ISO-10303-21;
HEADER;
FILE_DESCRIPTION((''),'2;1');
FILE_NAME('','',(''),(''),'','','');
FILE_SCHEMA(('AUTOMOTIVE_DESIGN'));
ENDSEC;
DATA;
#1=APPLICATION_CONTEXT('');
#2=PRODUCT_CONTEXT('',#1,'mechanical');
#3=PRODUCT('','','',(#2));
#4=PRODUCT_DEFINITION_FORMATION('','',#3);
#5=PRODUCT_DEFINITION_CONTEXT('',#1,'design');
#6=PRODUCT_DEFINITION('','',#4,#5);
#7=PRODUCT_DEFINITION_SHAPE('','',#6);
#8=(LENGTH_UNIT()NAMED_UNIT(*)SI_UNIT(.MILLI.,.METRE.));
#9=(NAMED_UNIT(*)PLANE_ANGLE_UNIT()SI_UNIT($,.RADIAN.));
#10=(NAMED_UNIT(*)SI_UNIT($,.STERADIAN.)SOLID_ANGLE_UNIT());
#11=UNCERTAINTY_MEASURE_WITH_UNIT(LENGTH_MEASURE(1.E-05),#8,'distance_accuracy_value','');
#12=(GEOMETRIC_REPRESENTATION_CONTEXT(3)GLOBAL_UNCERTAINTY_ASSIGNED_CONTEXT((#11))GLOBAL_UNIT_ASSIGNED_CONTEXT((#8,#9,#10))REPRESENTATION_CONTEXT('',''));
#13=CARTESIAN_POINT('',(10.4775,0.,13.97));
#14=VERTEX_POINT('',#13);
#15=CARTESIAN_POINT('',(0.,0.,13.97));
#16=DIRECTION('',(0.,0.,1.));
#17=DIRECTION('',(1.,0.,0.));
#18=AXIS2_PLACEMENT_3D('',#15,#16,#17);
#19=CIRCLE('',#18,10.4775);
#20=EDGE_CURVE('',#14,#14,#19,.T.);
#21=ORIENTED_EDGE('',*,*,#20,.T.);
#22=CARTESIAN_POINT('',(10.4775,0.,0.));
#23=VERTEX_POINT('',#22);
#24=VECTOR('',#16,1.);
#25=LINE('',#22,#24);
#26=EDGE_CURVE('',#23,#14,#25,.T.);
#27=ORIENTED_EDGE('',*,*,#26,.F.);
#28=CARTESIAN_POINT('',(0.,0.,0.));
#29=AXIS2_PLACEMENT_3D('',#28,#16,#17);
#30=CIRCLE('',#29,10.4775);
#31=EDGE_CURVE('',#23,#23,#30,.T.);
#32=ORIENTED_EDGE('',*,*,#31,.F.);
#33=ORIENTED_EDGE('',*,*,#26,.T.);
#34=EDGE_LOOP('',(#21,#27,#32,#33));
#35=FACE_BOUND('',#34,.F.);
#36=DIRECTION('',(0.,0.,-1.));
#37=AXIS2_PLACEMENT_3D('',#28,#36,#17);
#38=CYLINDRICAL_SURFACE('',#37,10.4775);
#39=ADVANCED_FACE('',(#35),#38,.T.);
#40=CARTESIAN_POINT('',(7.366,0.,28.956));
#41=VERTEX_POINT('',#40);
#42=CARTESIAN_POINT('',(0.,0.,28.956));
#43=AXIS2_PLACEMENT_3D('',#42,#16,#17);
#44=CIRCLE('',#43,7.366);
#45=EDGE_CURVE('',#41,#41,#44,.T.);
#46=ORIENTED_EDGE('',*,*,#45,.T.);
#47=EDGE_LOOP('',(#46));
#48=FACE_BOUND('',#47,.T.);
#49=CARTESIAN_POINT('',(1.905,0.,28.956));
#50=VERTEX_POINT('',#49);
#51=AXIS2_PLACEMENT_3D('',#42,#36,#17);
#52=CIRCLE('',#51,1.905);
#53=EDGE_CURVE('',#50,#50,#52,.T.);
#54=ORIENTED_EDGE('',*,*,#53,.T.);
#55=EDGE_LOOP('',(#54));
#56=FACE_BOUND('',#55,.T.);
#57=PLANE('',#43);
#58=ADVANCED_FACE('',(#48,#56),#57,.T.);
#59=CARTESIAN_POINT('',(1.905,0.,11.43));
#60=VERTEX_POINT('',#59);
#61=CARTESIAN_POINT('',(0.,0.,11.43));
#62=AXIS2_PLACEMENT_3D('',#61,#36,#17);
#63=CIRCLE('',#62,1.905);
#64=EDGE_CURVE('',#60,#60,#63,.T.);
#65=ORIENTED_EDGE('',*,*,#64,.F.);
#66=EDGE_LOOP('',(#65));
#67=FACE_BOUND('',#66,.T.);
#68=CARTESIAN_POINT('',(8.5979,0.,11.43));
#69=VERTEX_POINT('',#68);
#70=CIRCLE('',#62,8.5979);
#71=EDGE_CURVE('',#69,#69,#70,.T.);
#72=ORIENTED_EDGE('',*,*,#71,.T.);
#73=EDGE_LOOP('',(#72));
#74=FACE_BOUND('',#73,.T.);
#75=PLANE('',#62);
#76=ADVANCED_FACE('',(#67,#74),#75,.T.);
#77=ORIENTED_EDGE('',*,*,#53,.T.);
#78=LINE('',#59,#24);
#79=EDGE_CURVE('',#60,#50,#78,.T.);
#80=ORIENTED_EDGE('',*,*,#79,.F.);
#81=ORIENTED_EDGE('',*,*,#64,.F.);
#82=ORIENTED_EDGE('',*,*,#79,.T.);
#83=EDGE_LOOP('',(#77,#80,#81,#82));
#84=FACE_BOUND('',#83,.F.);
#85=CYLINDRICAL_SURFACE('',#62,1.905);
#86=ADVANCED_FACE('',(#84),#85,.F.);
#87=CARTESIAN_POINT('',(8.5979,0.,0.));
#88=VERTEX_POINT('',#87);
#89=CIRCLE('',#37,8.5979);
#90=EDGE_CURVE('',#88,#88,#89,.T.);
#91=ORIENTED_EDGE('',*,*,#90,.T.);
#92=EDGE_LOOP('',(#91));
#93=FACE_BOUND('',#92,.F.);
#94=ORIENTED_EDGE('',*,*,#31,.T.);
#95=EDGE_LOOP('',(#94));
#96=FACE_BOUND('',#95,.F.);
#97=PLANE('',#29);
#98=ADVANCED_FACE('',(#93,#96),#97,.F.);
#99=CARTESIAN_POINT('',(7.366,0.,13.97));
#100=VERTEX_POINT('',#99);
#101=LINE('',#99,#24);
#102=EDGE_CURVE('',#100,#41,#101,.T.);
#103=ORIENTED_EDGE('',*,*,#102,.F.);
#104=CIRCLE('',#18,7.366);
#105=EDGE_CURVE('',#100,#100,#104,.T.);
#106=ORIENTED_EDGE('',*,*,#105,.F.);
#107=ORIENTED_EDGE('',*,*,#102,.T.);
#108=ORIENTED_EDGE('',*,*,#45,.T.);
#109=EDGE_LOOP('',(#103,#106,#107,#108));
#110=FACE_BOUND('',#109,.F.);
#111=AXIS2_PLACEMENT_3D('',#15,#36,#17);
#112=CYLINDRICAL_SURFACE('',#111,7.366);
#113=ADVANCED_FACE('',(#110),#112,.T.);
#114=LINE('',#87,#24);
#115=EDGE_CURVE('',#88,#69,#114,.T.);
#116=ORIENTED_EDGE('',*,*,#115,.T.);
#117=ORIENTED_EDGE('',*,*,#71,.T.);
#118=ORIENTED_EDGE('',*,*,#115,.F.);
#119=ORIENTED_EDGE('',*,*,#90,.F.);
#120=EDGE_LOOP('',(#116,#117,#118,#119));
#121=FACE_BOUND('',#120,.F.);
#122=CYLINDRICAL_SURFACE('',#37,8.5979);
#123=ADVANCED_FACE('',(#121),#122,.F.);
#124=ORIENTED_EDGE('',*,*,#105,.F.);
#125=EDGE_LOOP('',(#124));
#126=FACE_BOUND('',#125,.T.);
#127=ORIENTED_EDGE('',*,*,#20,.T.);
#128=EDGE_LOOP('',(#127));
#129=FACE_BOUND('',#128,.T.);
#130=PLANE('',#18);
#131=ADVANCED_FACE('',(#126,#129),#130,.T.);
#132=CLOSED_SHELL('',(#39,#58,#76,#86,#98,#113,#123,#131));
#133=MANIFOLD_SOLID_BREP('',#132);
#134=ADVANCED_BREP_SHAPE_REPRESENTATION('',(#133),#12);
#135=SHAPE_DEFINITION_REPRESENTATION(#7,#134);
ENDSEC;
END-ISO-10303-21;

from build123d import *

# Parameters (mm, degrees)
F0_R     = 10.4775
F1_DEPTH = 13.97
F2_R     = 7.366
F3_DEPTH = 14.986
F4_R     = 8.5979
F5_DEPTH = 11.43
F6_R     = 1.905
F7_DEPTH = 17.78


with BuildPart() as f1:
    # F0 (on Top) → F1 (new body)
    with BuildSketch(Plane.XY):
        Circle(F0_R)
    extrude(amount=F1_DEPTH)

    # F2 (on face) → F3 (join)
    with BuildSketch(Plane.XY.offset(13.97)):
        Circle(F2_R)
    extrude(amount=F3_DEPTH)

    # F4 (on face) → F5 (cut)
    with BuildSketch(Plane(origin=(0, 0, 0), x_dir=(1, 0, 0), z_dir=(0, 0, -1))):
        Circle(F4_R)
    extrude(amount=-F5_DEPTH, mode=Mode.SUBTRACT)

    # F6 (on face) → F7 (cut)
    with BuildSketch(Plane(origin=(0, 0, 11.43), x_dir=(1, 0, 0), z_dir=(0, 0, -1))):
        Circle(F6_R)
    extrude(amount=-F7_DEPTH, mode=Mode.SUBTRACT)


solid = f1.part
